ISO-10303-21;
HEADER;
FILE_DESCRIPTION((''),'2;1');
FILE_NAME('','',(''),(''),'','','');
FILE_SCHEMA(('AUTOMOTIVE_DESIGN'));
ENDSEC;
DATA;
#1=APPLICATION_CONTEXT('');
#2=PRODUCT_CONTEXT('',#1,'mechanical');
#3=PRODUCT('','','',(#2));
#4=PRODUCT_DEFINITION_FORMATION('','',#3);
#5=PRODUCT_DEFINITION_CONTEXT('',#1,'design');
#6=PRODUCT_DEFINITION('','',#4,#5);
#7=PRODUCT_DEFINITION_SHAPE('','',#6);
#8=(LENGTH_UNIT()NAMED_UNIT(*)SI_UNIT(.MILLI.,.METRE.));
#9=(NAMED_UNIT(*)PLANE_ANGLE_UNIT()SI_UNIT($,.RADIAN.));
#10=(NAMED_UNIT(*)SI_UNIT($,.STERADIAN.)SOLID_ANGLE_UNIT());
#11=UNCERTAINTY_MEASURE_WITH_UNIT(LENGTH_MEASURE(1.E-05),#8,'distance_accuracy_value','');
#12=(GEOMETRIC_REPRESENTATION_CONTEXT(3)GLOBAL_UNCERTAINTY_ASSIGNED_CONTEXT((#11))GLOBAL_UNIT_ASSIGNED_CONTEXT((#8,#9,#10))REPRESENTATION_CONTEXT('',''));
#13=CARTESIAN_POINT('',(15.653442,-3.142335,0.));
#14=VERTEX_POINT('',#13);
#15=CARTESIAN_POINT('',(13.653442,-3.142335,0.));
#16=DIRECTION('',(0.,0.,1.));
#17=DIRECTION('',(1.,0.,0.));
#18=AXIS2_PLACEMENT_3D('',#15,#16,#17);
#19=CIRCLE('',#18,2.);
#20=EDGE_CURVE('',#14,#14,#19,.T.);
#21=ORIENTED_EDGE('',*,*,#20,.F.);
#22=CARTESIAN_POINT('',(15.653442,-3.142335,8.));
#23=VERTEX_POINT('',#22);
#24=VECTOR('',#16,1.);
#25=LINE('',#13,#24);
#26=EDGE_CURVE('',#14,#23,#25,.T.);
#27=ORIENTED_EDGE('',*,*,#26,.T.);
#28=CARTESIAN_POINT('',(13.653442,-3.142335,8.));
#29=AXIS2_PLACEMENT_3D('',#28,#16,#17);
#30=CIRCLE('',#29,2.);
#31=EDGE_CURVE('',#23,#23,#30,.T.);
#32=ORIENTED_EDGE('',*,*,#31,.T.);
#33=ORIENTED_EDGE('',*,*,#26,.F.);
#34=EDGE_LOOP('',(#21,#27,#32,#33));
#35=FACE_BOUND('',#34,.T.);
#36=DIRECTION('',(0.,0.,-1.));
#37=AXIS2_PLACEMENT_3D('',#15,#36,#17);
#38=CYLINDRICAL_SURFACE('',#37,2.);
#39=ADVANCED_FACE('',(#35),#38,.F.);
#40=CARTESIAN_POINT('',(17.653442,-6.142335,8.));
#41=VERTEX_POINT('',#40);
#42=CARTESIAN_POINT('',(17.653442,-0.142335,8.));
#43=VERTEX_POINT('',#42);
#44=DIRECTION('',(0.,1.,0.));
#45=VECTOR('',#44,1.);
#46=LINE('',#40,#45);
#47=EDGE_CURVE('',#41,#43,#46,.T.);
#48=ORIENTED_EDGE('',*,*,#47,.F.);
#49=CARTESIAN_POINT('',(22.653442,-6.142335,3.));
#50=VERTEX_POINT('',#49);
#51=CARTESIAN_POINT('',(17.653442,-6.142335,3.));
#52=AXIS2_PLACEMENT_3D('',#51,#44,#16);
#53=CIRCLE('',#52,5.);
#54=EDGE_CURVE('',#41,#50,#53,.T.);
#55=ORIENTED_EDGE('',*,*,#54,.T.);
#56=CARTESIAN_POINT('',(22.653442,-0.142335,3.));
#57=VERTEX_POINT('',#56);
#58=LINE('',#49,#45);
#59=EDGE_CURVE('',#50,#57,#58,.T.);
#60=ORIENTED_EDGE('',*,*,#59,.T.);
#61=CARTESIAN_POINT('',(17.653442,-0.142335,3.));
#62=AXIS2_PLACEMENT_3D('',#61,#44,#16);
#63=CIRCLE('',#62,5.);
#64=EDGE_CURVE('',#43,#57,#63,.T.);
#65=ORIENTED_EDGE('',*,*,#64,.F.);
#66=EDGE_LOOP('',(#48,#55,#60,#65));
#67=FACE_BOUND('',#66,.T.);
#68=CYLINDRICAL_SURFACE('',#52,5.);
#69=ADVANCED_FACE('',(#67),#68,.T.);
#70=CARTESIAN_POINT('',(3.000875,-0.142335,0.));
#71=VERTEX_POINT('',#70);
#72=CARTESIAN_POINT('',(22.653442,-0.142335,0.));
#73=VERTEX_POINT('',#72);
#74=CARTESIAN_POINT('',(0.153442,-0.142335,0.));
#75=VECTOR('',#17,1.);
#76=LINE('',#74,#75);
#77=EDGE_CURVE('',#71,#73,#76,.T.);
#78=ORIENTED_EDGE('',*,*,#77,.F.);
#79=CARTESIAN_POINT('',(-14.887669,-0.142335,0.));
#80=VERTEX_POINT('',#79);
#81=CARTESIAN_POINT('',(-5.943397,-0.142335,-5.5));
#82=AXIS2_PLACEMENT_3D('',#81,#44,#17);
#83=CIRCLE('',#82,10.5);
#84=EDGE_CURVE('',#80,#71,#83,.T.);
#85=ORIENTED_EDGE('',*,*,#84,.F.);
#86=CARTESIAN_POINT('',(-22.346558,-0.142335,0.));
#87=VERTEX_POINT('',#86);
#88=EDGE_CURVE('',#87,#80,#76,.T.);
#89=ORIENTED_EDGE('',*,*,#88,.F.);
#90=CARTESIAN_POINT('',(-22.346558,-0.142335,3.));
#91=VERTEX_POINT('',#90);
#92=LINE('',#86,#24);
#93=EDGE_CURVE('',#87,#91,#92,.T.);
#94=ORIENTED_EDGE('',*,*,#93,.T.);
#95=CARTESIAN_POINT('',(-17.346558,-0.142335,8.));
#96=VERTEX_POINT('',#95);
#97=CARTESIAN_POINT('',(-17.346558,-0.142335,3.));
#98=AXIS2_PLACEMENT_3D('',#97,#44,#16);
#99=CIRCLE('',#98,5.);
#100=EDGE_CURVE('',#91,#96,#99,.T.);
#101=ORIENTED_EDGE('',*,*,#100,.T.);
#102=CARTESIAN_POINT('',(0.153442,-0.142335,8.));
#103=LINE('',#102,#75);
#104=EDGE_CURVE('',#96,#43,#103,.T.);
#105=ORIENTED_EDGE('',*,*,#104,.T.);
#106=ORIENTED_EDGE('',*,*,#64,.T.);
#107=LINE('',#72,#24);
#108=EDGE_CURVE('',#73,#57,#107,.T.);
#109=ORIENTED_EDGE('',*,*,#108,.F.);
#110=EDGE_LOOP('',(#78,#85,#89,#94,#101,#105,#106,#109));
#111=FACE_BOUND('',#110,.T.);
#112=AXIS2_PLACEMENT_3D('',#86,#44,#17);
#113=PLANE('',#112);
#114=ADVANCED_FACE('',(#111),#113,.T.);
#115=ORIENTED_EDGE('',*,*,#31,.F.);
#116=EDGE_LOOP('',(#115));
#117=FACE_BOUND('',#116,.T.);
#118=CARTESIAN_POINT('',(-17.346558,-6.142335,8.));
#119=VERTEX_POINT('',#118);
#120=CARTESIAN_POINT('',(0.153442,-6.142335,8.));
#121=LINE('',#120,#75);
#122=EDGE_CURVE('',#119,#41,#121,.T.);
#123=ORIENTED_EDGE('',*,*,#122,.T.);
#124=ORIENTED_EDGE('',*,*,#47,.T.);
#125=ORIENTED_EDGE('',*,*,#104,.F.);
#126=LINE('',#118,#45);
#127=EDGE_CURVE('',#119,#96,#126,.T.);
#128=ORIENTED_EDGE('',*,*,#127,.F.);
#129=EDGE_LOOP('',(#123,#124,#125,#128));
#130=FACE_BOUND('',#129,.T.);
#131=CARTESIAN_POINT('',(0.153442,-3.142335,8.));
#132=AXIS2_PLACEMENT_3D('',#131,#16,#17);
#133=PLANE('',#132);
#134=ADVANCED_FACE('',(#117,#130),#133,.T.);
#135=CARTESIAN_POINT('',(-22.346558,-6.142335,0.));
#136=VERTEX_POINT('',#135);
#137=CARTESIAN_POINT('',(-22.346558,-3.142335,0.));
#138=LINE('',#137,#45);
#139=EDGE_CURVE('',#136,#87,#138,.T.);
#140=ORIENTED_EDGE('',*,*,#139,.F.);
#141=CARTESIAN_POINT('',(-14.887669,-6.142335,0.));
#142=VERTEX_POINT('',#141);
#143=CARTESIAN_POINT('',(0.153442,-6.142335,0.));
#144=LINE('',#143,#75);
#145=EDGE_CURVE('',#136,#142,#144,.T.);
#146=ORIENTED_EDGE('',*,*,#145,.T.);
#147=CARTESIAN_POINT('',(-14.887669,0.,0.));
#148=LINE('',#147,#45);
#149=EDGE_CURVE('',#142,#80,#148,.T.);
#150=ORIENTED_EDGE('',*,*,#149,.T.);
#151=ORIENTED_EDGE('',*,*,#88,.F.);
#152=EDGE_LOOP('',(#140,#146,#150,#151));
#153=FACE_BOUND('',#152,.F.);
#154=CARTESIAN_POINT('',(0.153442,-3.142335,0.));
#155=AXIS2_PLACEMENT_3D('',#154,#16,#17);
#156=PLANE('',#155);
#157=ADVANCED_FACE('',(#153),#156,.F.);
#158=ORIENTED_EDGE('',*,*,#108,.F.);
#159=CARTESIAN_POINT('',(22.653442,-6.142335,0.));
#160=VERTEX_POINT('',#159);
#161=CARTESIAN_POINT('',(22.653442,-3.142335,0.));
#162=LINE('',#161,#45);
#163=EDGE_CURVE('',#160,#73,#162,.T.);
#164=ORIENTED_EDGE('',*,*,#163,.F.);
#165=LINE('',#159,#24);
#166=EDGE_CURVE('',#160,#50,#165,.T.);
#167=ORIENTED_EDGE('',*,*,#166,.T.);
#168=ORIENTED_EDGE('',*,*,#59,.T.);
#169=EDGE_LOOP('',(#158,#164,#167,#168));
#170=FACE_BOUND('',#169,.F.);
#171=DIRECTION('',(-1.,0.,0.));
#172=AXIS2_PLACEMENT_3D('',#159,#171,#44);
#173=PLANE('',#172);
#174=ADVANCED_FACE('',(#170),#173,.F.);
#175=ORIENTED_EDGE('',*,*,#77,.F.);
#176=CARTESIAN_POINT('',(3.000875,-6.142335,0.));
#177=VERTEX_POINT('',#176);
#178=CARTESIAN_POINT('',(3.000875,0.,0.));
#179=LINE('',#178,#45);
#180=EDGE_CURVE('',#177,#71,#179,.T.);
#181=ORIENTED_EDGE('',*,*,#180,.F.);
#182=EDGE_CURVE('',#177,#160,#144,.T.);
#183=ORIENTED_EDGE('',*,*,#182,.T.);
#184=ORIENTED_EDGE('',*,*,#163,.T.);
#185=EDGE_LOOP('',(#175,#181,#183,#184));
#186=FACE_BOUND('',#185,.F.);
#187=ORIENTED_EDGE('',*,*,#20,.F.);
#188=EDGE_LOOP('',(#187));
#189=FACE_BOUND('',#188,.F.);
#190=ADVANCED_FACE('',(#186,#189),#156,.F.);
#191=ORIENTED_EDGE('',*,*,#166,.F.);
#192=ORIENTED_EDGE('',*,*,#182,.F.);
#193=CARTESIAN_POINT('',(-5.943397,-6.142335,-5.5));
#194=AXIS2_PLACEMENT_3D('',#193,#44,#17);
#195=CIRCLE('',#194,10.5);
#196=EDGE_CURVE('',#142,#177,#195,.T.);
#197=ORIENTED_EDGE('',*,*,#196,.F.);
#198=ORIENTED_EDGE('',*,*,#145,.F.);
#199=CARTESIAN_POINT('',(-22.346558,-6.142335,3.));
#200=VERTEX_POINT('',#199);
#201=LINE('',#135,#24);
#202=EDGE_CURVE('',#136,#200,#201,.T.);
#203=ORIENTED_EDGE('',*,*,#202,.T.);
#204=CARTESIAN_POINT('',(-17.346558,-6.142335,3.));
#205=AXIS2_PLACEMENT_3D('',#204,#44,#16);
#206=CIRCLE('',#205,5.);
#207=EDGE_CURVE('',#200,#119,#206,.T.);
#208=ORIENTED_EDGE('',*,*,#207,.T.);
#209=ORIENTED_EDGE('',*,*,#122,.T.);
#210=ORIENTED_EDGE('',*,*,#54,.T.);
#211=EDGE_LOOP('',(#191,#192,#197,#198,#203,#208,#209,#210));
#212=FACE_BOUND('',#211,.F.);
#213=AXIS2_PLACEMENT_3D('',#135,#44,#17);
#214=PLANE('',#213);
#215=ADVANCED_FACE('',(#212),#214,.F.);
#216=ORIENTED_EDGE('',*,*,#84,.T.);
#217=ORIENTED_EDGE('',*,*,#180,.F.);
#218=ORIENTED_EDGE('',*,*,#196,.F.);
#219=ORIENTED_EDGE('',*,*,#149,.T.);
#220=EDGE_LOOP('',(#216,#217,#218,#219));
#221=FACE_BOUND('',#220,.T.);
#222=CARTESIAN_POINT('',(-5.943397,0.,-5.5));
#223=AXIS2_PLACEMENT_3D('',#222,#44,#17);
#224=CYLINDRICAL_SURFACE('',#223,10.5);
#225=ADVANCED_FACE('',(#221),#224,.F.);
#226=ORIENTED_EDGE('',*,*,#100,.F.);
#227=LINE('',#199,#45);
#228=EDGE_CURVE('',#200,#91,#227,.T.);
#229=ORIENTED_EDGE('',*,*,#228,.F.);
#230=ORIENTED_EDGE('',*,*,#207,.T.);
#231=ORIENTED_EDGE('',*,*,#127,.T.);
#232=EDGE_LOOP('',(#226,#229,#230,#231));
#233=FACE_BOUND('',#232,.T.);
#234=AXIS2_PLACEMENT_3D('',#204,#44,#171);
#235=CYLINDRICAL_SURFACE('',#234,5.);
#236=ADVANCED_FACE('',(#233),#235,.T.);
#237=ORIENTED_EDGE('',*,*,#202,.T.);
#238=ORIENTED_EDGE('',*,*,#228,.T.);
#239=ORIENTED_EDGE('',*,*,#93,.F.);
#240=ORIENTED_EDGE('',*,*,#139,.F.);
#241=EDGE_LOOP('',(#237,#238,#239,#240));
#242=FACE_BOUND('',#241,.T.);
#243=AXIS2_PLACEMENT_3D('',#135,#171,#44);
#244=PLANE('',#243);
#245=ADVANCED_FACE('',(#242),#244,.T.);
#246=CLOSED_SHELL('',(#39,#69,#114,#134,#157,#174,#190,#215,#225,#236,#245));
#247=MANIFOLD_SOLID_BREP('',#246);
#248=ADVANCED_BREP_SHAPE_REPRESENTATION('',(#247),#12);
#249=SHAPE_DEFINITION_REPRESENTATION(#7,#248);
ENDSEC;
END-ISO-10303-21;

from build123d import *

# Parameters (mm, degrees)
F0_W     = 45
F0_H     = 6
F0_R     = 2
F1_DEPTH = 8
F2_R     = 10.5
F3_DEPTH = 8
F4_R     = 5
F5_R     = 5


with BuildPart() as f1:
    # F0 (on Top) → F1 (new body)
    with BuildSketch(Plane.XY):
        with Locations((0.153442, -3.142335)):
            Rectangle(F0_W, F0_H)
        with Locations((13.653442, -3.142335)):
            Circle(F0_R, mode=Mode.SUBTRACT)
    extrude(amount=F1_DEPTH)

    # F2 (on Front) → F3 (cut)
    with BuildSketch(Plane.XZ):
        with Locations((-5.943397, -5.5)):
            Circle(F2_R)
    extrude(amount=F3_DEPTH, mode=Mode.SUBTRACT)

    # F4
    f4_edges = [f1.edges().sort_by_distance(p)[0] for p in [
        (-22.346558, -3.142335, 8),
    ]]
    fillet(f4_edges, radius=F4_R)

    # F5
    f5_edges = [f1.edges().sort_by_distance(p)[0] for p in [
        (22.653442, -3.142335, 8),
    ]]
    fillet(f5_edges, radius=F5_R)


solid = f1.part
